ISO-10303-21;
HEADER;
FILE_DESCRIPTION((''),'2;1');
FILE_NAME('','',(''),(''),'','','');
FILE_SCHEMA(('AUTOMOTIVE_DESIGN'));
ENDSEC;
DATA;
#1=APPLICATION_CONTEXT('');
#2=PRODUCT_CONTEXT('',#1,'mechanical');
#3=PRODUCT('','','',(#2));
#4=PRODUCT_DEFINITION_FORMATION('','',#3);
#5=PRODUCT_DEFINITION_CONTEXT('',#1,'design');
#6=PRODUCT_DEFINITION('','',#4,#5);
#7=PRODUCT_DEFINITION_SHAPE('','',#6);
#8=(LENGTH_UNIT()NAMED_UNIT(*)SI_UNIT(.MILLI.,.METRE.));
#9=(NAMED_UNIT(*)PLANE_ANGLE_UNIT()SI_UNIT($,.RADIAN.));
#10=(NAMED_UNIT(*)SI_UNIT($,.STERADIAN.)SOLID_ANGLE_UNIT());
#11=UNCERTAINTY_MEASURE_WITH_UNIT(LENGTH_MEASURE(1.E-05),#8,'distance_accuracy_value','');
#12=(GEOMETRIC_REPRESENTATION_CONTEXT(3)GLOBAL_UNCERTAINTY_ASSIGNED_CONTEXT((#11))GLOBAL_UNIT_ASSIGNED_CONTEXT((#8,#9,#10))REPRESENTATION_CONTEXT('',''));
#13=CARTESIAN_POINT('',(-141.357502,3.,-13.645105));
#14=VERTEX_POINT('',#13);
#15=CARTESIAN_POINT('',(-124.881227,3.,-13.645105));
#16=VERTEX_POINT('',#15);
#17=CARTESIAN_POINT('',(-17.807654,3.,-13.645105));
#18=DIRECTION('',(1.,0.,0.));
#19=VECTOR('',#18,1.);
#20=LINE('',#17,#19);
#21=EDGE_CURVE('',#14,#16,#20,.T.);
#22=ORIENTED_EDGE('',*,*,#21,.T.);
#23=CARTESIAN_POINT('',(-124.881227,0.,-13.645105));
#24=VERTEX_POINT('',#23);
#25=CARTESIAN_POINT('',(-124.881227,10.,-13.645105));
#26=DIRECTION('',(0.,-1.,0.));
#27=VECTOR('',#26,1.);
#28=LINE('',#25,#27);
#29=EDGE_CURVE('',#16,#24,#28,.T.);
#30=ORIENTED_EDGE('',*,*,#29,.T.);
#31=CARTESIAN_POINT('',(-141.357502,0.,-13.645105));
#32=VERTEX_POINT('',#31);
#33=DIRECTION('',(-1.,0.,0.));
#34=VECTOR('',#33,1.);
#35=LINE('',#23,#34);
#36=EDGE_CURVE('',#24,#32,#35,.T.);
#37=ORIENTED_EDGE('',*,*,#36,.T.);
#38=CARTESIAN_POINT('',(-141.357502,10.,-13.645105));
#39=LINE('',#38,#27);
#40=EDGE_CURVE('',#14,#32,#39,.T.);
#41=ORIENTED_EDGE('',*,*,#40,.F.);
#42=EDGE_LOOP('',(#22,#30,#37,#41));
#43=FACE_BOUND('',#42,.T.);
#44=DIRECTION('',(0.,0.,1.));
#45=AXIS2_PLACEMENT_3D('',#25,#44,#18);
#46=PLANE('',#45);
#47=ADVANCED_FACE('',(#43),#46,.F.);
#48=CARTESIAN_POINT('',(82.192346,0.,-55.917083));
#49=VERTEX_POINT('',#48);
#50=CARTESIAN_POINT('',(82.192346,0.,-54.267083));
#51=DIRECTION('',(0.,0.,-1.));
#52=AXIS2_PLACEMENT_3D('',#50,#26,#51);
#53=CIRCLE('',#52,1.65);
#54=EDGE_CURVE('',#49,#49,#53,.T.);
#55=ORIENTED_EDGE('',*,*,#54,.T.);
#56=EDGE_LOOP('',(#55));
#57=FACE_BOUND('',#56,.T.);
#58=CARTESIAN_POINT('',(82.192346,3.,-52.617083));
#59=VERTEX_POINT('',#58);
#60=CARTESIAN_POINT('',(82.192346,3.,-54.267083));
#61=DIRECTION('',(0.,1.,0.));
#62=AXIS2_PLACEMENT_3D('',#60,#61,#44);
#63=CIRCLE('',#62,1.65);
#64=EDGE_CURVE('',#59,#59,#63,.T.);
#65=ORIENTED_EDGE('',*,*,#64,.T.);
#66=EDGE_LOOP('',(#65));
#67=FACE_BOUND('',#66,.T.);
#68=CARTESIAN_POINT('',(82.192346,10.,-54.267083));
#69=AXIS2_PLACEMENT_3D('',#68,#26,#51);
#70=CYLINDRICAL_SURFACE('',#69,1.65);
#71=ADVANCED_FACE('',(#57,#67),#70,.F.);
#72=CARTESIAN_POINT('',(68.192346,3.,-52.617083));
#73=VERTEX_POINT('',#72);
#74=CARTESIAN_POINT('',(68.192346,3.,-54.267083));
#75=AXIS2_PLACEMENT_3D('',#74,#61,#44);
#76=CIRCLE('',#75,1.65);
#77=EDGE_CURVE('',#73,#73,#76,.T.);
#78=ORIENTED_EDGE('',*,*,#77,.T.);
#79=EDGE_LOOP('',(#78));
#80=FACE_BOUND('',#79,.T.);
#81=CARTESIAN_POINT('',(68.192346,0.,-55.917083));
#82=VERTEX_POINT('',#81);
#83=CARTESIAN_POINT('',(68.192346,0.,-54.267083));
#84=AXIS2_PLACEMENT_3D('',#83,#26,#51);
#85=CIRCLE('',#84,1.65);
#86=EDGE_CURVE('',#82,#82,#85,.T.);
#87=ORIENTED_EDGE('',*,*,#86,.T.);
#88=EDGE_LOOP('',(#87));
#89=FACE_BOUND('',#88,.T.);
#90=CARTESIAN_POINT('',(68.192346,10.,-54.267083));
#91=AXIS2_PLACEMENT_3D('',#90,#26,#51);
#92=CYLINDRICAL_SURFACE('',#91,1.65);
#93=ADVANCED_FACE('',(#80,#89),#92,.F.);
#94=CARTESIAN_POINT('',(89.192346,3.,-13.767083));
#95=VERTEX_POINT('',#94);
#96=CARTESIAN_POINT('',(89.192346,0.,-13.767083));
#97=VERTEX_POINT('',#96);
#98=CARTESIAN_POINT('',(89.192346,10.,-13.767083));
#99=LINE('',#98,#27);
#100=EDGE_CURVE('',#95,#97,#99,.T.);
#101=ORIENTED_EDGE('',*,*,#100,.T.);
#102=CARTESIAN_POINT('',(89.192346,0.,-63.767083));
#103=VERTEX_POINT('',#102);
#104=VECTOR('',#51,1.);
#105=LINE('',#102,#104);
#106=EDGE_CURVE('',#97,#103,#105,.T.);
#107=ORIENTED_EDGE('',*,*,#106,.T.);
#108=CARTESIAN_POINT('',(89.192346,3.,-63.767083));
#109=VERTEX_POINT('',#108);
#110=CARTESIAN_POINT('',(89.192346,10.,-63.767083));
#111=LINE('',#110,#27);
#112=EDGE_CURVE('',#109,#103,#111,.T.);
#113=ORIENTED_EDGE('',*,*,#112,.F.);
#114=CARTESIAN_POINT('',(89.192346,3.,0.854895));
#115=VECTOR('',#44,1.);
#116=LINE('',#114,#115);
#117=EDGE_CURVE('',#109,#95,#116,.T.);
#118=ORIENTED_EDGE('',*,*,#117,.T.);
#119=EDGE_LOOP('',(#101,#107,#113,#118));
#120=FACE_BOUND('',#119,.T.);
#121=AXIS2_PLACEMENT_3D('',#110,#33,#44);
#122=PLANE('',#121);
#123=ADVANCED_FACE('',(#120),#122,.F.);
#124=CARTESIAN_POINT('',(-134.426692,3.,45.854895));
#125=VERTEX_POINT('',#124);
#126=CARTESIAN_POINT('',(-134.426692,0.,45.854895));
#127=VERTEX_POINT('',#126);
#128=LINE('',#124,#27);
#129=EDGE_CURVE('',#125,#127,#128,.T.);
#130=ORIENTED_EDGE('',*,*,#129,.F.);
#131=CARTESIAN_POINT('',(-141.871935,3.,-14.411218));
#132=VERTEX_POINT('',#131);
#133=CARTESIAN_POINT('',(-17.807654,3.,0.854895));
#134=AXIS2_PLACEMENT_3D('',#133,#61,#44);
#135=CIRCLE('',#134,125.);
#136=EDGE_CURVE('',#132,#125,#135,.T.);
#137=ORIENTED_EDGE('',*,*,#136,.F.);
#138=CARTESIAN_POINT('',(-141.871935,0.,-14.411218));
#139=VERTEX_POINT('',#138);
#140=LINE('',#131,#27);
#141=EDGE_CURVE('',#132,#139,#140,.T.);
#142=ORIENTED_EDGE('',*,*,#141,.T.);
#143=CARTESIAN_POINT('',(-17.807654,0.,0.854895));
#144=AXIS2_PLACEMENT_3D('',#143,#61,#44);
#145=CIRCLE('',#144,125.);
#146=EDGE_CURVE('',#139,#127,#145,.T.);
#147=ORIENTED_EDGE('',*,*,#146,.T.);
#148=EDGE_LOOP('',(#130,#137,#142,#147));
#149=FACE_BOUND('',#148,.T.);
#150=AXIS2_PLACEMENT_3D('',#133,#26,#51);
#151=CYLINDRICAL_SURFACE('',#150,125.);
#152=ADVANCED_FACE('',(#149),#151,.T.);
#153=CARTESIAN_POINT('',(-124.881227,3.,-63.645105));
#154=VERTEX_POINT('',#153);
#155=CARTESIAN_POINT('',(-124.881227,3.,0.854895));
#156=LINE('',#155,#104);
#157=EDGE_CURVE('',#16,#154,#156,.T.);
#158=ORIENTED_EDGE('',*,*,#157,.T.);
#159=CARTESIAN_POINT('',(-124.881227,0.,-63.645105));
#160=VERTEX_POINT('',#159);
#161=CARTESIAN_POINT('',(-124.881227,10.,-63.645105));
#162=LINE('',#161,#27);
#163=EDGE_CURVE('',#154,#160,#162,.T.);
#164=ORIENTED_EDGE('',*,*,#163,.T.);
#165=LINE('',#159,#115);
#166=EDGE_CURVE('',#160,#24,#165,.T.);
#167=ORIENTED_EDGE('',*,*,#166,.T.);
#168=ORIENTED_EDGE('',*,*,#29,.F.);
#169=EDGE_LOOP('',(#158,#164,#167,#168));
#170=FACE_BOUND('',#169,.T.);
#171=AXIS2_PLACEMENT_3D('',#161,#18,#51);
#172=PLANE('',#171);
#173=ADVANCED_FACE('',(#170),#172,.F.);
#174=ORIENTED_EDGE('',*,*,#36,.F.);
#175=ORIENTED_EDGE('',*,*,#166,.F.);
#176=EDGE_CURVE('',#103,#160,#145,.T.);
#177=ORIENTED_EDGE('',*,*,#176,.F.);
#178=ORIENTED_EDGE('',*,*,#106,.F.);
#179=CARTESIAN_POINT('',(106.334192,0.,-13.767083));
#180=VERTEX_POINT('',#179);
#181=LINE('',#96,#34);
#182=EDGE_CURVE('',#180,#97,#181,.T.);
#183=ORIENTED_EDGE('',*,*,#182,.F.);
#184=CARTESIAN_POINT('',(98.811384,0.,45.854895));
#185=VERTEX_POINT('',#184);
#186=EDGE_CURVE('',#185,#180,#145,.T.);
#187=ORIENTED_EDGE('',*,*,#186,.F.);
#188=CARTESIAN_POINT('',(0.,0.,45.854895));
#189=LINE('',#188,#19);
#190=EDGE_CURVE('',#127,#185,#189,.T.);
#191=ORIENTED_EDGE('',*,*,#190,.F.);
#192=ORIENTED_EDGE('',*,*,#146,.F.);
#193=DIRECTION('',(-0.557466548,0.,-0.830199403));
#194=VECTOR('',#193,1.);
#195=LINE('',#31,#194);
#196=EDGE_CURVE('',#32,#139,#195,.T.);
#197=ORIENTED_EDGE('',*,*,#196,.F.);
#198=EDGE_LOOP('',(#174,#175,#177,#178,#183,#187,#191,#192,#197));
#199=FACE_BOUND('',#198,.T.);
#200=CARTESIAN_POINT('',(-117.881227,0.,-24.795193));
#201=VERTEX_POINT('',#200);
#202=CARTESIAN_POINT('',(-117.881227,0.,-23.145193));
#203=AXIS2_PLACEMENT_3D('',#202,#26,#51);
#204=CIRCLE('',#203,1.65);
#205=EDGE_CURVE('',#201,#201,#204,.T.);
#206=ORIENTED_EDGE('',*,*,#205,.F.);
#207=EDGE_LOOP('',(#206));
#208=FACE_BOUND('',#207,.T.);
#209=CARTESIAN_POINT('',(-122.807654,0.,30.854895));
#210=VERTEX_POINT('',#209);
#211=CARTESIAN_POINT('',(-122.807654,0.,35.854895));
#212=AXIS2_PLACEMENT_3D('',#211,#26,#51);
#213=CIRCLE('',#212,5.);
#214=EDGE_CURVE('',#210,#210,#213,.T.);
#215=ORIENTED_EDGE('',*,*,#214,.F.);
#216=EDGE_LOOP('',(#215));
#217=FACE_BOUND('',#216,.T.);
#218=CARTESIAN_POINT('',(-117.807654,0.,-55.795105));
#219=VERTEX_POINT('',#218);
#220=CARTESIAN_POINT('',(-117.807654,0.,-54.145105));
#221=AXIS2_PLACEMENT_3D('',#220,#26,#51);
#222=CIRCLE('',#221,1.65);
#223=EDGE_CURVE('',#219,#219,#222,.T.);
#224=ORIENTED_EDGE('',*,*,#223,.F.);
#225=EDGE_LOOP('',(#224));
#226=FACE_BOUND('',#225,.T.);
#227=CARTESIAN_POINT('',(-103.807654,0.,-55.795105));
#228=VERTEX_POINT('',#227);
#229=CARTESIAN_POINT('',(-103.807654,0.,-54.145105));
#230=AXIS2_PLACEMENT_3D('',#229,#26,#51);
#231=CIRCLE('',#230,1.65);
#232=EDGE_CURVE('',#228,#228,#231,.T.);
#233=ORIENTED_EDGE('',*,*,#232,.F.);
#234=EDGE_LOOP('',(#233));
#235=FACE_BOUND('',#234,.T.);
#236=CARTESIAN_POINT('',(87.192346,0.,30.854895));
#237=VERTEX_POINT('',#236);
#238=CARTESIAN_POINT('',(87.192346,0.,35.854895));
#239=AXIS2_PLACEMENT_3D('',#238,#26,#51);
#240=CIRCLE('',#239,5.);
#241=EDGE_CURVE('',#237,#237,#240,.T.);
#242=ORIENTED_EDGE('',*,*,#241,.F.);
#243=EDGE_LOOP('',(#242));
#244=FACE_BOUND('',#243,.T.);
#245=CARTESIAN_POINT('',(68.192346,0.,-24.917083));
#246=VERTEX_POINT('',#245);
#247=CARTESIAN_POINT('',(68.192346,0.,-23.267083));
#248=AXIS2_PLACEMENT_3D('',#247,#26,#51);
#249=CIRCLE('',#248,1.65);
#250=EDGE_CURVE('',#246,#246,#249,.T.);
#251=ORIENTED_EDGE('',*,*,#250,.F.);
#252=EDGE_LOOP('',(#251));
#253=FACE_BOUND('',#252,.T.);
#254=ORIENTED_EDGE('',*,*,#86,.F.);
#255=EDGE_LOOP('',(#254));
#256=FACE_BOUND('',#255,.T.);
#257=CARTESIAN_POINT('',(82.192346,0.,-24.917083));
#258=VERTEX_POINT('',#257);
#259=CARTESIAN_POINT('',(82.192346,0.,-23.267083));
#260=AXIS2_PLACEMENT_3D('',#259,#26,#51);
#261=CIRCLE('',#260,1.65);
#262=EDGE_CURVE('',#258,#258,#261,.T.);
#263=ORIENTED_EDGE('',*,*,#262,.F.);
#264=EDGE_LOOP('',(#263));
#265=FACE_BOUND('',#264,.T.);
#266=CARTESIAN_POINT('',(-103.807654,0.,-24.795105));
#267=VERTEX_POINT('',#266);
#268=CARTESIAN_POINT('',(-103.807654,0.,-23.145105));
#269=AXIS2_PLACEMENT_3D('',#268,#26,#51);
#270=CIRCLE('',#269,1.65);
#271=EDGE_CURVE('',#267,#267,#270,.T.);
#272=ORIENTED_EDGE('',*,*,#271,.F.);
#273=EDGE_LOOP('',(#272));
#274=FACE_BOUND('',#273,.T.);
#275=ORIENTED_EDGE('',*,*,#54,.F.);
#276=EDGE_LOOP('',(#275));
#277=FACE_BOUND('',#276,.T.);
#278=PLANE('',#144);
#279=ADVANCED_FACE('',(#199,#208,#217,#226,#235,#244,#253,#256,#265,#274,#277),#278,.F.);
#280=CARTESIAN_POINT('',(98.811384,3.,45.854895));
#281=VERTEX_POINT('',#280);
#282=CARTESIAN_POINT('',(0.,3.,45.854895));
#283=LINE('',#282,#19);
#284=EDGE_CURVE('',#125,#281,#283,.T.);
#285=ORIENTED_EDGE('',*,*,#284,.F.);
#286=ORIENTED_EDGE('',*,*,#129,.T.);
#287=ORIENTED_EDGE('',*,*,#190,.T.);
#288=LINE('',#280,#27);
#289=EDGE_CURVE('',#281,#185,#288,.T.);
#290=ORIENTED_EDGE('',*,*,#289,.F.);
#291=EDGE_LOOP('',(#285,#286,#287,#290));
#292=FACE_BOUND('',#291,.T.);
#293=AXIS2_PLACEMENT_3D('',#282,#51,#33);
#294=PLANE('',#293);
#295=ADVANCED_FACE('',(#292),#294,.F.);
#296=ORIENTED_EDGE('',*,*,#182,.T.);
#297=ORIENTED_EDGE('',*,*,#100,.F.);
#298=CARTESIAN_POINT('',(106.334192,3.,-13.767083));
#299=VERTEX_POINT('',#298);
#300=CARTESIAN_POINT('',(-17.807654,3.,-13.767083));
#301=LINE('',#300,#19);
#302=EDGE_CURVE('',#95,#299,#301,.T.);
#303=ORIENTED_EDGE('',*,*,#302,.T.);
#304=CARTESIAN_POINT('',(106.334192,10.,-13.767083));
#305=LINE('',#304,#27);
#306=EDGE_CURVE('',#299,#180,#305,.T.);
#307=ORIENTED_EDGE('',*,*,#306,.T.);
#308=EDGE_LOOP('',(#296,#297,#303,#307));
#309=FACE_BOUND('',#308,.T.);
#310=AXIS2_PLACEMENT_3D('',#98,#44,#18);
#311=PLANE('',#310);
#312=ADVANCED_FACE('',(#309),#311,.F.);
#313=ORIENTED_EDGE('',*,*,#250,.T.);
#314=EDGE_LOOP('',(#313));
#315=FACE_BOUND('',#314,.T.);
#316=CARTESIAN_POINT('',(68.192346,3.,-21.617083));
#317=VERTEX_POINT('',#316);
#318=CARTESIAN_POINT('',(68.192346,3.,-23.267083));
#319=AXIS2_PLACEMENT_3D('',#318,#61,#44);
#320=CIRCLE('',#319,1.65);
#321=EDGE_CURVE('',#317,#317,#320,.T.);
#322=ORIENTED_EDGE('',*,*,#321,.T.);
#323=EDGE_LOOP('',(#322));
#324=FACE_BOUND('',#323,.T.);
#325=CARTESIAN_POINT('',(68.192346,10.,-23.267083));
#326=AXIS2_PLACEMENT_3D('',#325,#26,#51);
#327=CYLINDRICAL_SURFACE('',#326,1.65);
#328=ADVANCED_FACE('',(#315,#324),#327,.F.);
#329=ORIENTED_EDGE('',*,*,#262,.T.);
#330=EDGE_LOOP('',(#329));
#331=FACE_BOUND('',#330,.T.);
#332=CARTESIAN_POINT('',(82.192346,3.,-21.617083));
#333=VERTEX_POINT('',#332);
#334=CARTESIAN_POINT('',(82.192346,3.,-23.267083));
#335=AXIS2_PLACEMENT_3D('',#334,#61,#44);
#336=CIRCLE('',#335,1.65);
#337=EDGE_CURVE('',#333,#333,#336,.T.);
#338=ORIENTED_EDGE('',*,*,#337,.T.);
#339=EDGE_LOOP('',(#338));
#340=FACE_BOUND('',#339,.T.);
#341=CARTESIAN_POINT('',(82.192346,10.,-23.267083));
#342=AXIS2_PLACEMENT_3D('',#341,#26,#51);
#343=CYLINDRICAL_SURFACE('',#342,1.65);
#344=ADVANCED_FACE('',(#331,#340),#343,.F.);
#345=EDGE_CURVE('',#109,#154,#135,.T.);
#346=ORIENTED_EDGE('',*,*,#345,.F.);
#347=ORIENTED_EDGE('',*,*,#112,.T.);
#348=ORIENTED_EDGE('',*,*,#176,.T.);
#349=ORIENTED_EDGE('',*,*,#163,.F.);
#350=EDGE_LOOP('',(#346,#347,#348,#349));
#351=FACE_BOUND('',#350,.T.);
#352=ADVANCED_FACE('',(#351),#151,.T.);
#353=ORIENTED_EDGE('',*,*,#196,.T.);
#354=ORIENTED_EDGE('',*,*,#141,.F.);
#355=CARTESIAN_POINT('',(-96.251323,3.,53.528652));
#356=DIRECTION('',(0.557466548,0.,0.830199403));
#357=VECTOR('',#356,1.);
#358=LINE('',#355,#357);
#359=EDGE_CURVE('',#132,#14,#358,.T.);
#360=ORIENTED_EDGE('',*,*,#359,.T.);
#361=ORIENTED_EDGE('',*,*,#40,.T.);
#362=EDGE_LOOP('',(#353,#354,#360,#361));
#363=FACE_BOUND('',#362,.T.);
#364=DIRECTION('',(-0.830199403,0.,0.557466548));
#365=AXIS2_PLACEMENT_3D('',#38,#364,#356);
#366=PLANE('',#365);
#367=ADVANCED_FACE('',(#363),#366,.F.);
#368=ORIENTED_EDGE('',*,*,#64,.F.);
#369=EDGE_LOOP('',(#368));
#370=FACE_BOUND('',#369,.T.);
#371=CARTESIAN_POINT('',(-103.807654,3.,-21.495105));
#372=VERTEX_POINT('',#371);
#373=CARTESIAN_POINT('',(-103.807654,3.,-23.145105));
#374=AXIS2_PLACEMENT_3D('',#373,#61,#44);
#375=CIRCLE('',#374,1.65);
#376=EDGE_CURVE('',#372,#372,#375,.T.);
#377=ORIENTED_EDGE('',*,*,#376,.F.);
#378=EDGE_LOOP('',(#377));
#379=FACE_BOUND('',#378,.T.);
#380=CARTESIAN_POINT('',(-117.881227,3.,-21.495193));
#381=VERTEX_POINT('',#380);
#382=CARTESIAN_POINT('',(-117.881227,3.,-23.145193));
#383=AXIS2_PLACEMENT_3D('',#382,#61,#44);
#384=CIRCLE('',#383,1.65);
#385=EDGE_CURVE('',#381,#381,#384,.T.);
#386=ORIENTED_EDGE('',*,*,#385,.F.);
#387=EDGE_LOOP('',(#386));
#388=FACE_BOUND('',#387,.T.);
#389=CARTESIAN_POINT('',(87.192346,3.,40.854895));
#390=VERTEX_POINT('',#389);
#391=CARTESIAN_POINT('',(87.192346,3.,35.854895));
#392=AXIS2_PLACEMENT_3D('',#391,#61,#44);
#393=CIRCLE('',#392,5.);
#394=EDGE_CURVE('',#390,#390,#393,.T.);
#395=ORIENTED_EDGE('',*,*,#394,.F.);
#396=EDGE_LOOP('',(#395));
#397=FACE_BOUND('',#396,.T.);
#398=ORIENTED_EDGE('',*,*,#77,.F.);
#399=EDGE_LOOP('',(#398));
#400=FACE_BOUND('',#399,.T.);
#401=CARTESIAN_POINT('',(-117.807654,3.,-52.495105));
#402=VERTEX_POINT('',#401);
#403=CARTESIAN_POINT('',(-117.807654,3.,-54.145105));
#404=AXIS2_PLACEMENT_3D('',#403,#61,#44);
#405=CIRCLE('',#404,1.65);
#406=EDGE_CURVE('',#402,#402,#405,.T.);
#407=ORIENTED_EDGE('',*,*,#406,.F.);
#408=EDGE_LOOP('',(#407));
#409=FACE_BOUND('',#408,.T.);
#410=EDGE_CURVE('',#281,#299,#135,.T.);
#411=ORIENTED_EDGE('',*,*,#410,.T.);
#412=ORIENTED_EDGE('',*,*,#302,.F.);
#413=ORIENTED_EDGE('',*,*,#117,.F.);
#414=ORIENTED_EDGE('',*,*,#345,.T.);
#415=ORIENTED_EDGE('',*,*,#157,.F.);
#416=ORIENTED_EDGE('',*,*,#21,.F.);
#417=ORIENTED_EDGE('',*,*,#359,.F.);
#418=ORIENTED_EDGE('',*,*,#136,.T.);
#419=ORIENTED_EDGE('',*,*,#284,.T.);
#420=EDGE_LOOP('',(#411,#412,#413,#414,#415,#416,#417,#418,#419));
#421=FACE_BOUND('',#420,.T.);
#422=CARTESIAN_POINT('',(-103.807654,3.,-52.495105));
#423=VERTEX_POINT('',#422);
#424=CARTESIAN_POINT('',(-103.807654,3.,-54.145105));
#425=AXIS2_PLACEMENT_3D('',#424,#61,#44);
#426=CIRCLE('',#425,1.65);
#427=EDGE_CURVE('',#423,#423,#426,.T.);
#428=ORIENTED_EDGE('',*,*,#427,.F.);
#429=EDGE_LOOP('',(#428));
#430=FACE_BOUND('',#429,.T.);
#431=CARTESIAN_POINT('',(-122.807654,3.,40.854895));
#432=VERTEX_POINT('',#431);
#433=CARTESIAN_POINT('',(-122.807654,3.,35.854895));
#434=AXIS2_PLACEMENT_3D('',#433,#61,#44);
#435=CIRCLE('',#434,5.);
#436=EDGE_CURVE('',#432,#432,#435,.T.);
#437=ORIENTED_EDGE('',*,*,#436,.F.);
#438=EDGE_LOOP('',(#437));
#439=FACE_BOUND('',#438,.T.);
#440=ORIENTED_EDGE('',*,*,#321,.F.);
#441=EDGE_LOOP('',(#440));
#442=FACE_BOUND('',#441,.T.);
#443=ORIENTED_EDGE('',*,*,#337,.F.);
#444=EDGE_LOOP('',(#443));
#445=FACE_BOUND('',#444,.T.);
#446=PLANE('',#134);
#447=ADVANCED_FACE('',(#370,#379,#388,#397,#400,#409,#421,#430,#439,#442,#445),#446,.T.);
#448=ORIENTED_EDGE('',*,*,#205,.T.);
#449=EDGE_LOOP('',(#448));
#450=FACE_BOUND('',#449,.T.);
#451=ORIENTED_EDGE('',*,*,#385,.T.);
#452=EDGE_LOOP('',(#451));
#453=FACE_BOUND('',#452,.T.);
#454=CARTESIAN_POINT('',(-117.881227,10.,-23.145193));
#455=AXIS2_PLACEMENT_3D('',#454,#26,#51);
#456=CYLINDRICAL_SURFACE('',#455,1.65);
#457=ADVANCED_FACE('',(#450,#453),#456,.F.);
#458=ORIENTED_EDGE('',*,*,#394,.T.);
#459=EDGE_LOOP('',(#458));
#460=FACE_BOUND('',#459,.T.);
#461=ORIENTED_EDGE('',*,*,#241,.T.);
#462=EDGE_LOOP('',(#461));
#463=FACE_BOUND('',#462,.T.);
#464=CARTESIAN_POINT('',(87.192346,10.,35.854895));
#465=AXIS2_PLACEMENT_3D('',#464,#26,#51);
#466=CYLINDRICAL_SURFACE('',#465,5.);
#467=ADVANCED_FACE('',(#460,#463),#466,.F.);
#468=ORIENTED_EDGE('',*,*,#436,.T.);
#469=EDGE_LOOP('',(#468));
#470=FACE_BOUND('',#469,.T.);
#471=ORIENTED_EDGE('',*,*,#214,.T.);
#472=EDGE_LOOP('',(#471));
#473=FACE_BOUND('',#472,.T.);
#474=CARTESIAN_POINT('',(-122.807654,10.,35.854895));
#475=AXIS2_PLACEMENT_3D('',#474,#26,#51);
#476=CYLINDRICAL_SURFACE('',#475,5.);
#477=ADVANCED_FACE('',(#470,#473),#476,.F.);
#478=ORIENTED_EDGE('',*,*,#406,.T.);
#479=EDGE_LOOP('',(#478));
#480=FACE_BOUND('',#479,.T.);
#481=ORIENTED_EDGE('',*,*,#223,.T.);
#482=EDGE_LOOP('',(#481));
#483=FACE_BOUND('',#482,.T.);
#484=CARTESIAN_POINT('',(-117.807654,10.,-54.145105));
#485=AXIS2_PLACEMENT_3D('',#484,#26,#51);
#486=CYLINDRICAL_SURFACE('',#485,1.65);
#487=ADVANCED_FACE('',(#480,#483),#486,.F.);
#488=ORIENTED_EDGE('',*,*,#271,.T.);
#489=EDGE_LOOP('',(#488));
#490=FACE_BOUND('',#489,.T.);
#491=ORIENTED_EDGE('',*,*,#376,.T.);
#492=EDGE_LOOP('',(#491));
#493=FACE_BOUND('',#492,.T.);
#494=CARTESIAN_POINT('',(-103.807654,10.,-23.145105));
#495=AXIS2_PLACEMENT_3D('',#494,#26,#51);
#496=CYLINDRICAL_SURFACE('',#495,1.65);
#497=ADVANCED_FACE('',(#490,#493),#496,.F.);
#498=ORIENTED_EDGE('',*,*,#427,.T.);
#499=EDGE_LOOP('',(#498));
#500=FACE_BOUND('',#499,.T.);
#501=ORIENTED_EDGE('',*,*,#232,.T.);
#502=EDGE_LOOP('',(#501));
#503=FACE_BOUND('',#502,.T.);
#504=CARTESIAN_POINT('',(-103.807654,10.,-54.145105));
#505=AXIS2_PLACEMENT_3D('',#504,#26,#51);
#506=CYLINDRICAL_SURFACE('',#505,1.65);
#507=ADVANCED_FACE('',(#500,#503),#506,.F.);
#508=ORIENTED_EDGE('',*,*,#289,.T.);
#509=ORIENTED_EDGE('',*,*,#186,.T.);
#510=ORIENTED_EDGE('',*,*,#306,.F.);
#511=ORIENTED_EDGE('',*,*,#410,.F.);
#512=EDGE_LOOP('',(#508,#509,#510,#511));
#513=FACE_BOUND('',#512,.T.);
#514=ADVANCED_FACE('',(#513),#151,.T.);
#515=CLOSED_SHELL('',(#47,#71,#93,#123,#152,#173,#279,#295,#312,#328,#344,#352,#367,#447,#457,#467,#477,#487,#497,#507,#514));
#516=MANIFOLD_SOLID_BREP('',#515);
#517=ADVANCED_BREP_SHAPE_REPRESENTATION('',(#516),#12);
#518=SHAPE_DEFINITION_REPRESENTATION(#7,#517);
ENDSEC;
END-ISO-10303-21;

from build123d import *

# Parameters (mm, degrees)
SKETCH2_R           = 125
BOSS_EXTRUDE1_DEPTH = 3
CUT_EXTRUDE1_DEPTH  = 3
SKETCH4_R           = 1.65
SKETCH4_R_2         = 5
CUT_EXTRUDE2_DEPTH  = 10


with BuildPart() as part:
    # Sketch2 → Boss-Extrude1 (new body)
    with BuildSketch(Plane(origin=(0, 0, 0), x_dir=(1, 0, 0), z_dir=(0, 1, 0))):
        with Locations((-17.80765369, -0.854894607)):
            Circle(SKETCH2_R)
    extrude(amount=BOSS_EXTRUDE1_DEPTH)

    # Sketch3 → Cut-Extrude1 (cut)
    with BuildSketch(Plane.XZ):
        Polygon((-735.289651923, 45.854894607), (-134.426691587, 45.854894607), (98.811384207, 45.854894607), (699.674344543, 45.854894607), (699.674344543, 1247.580815278), (-735.289651923, 1247.580815278), align=None)
    extrude(amount=-CUT_EXTRUDE1_DEPTH, mode=Mode.SUBTRACT)

    # Sketch4 → Cut-Extrude2 (cut)
    with BuildSketch(Plane(origin=(0, 0, 0), x_dir=(-1, 0, 0), z_dir=(0, -1, 0))):
        with Locations((117.80765369, 54.145105393)):
            Circle(SKETCH4_R)
        with Locations((117.881226527, 23.145192699)):
            Circle(SKETCH4_R)
        with Locations((103.80765369, 54.145105393)):
            Circle(SKETCH4_R)
        with Locations((103.80765369, 23.145105393)):
            Circle(SKETCH4_R)
        with Locations((-68.19234631, 54.267083079)):
            Circle(SKETCH4_R)
        with Locations((-82.19234631, 54.267083079)):
            Circle(SKETCH4_R)
        with Locations((-82.19234631, 23.267083079)):
            Circle(SKETCH4_R)
        with Locations((-68.19234631, 23.267083079)):
            Circle(SKETCH4_R)
        with Locations((122.80765369, -35.854894607)):
            Circle(SKETCH4_R_2)
        with Locations((-87.19234631, -35.854894607)):
            Circle(SKETCH4_R_2)
        Polygon((124.881226527, 63.645105393), (124.881226527, 13.645105393), (141.357501756, 13.645105393), (159.377606719, 40.481299306), align=None)
        Polygon((-89.19234631, 63.767083079), (-89.19234631, 13.767083079), (-106.334191667, 13.767083079), (-114.079843912, 54.596315864), align=None)
    extrude(amount=-CUT_EXTRUDE2_DEPTH, mode=Mode.SUBTRACT)


solid = part.part
